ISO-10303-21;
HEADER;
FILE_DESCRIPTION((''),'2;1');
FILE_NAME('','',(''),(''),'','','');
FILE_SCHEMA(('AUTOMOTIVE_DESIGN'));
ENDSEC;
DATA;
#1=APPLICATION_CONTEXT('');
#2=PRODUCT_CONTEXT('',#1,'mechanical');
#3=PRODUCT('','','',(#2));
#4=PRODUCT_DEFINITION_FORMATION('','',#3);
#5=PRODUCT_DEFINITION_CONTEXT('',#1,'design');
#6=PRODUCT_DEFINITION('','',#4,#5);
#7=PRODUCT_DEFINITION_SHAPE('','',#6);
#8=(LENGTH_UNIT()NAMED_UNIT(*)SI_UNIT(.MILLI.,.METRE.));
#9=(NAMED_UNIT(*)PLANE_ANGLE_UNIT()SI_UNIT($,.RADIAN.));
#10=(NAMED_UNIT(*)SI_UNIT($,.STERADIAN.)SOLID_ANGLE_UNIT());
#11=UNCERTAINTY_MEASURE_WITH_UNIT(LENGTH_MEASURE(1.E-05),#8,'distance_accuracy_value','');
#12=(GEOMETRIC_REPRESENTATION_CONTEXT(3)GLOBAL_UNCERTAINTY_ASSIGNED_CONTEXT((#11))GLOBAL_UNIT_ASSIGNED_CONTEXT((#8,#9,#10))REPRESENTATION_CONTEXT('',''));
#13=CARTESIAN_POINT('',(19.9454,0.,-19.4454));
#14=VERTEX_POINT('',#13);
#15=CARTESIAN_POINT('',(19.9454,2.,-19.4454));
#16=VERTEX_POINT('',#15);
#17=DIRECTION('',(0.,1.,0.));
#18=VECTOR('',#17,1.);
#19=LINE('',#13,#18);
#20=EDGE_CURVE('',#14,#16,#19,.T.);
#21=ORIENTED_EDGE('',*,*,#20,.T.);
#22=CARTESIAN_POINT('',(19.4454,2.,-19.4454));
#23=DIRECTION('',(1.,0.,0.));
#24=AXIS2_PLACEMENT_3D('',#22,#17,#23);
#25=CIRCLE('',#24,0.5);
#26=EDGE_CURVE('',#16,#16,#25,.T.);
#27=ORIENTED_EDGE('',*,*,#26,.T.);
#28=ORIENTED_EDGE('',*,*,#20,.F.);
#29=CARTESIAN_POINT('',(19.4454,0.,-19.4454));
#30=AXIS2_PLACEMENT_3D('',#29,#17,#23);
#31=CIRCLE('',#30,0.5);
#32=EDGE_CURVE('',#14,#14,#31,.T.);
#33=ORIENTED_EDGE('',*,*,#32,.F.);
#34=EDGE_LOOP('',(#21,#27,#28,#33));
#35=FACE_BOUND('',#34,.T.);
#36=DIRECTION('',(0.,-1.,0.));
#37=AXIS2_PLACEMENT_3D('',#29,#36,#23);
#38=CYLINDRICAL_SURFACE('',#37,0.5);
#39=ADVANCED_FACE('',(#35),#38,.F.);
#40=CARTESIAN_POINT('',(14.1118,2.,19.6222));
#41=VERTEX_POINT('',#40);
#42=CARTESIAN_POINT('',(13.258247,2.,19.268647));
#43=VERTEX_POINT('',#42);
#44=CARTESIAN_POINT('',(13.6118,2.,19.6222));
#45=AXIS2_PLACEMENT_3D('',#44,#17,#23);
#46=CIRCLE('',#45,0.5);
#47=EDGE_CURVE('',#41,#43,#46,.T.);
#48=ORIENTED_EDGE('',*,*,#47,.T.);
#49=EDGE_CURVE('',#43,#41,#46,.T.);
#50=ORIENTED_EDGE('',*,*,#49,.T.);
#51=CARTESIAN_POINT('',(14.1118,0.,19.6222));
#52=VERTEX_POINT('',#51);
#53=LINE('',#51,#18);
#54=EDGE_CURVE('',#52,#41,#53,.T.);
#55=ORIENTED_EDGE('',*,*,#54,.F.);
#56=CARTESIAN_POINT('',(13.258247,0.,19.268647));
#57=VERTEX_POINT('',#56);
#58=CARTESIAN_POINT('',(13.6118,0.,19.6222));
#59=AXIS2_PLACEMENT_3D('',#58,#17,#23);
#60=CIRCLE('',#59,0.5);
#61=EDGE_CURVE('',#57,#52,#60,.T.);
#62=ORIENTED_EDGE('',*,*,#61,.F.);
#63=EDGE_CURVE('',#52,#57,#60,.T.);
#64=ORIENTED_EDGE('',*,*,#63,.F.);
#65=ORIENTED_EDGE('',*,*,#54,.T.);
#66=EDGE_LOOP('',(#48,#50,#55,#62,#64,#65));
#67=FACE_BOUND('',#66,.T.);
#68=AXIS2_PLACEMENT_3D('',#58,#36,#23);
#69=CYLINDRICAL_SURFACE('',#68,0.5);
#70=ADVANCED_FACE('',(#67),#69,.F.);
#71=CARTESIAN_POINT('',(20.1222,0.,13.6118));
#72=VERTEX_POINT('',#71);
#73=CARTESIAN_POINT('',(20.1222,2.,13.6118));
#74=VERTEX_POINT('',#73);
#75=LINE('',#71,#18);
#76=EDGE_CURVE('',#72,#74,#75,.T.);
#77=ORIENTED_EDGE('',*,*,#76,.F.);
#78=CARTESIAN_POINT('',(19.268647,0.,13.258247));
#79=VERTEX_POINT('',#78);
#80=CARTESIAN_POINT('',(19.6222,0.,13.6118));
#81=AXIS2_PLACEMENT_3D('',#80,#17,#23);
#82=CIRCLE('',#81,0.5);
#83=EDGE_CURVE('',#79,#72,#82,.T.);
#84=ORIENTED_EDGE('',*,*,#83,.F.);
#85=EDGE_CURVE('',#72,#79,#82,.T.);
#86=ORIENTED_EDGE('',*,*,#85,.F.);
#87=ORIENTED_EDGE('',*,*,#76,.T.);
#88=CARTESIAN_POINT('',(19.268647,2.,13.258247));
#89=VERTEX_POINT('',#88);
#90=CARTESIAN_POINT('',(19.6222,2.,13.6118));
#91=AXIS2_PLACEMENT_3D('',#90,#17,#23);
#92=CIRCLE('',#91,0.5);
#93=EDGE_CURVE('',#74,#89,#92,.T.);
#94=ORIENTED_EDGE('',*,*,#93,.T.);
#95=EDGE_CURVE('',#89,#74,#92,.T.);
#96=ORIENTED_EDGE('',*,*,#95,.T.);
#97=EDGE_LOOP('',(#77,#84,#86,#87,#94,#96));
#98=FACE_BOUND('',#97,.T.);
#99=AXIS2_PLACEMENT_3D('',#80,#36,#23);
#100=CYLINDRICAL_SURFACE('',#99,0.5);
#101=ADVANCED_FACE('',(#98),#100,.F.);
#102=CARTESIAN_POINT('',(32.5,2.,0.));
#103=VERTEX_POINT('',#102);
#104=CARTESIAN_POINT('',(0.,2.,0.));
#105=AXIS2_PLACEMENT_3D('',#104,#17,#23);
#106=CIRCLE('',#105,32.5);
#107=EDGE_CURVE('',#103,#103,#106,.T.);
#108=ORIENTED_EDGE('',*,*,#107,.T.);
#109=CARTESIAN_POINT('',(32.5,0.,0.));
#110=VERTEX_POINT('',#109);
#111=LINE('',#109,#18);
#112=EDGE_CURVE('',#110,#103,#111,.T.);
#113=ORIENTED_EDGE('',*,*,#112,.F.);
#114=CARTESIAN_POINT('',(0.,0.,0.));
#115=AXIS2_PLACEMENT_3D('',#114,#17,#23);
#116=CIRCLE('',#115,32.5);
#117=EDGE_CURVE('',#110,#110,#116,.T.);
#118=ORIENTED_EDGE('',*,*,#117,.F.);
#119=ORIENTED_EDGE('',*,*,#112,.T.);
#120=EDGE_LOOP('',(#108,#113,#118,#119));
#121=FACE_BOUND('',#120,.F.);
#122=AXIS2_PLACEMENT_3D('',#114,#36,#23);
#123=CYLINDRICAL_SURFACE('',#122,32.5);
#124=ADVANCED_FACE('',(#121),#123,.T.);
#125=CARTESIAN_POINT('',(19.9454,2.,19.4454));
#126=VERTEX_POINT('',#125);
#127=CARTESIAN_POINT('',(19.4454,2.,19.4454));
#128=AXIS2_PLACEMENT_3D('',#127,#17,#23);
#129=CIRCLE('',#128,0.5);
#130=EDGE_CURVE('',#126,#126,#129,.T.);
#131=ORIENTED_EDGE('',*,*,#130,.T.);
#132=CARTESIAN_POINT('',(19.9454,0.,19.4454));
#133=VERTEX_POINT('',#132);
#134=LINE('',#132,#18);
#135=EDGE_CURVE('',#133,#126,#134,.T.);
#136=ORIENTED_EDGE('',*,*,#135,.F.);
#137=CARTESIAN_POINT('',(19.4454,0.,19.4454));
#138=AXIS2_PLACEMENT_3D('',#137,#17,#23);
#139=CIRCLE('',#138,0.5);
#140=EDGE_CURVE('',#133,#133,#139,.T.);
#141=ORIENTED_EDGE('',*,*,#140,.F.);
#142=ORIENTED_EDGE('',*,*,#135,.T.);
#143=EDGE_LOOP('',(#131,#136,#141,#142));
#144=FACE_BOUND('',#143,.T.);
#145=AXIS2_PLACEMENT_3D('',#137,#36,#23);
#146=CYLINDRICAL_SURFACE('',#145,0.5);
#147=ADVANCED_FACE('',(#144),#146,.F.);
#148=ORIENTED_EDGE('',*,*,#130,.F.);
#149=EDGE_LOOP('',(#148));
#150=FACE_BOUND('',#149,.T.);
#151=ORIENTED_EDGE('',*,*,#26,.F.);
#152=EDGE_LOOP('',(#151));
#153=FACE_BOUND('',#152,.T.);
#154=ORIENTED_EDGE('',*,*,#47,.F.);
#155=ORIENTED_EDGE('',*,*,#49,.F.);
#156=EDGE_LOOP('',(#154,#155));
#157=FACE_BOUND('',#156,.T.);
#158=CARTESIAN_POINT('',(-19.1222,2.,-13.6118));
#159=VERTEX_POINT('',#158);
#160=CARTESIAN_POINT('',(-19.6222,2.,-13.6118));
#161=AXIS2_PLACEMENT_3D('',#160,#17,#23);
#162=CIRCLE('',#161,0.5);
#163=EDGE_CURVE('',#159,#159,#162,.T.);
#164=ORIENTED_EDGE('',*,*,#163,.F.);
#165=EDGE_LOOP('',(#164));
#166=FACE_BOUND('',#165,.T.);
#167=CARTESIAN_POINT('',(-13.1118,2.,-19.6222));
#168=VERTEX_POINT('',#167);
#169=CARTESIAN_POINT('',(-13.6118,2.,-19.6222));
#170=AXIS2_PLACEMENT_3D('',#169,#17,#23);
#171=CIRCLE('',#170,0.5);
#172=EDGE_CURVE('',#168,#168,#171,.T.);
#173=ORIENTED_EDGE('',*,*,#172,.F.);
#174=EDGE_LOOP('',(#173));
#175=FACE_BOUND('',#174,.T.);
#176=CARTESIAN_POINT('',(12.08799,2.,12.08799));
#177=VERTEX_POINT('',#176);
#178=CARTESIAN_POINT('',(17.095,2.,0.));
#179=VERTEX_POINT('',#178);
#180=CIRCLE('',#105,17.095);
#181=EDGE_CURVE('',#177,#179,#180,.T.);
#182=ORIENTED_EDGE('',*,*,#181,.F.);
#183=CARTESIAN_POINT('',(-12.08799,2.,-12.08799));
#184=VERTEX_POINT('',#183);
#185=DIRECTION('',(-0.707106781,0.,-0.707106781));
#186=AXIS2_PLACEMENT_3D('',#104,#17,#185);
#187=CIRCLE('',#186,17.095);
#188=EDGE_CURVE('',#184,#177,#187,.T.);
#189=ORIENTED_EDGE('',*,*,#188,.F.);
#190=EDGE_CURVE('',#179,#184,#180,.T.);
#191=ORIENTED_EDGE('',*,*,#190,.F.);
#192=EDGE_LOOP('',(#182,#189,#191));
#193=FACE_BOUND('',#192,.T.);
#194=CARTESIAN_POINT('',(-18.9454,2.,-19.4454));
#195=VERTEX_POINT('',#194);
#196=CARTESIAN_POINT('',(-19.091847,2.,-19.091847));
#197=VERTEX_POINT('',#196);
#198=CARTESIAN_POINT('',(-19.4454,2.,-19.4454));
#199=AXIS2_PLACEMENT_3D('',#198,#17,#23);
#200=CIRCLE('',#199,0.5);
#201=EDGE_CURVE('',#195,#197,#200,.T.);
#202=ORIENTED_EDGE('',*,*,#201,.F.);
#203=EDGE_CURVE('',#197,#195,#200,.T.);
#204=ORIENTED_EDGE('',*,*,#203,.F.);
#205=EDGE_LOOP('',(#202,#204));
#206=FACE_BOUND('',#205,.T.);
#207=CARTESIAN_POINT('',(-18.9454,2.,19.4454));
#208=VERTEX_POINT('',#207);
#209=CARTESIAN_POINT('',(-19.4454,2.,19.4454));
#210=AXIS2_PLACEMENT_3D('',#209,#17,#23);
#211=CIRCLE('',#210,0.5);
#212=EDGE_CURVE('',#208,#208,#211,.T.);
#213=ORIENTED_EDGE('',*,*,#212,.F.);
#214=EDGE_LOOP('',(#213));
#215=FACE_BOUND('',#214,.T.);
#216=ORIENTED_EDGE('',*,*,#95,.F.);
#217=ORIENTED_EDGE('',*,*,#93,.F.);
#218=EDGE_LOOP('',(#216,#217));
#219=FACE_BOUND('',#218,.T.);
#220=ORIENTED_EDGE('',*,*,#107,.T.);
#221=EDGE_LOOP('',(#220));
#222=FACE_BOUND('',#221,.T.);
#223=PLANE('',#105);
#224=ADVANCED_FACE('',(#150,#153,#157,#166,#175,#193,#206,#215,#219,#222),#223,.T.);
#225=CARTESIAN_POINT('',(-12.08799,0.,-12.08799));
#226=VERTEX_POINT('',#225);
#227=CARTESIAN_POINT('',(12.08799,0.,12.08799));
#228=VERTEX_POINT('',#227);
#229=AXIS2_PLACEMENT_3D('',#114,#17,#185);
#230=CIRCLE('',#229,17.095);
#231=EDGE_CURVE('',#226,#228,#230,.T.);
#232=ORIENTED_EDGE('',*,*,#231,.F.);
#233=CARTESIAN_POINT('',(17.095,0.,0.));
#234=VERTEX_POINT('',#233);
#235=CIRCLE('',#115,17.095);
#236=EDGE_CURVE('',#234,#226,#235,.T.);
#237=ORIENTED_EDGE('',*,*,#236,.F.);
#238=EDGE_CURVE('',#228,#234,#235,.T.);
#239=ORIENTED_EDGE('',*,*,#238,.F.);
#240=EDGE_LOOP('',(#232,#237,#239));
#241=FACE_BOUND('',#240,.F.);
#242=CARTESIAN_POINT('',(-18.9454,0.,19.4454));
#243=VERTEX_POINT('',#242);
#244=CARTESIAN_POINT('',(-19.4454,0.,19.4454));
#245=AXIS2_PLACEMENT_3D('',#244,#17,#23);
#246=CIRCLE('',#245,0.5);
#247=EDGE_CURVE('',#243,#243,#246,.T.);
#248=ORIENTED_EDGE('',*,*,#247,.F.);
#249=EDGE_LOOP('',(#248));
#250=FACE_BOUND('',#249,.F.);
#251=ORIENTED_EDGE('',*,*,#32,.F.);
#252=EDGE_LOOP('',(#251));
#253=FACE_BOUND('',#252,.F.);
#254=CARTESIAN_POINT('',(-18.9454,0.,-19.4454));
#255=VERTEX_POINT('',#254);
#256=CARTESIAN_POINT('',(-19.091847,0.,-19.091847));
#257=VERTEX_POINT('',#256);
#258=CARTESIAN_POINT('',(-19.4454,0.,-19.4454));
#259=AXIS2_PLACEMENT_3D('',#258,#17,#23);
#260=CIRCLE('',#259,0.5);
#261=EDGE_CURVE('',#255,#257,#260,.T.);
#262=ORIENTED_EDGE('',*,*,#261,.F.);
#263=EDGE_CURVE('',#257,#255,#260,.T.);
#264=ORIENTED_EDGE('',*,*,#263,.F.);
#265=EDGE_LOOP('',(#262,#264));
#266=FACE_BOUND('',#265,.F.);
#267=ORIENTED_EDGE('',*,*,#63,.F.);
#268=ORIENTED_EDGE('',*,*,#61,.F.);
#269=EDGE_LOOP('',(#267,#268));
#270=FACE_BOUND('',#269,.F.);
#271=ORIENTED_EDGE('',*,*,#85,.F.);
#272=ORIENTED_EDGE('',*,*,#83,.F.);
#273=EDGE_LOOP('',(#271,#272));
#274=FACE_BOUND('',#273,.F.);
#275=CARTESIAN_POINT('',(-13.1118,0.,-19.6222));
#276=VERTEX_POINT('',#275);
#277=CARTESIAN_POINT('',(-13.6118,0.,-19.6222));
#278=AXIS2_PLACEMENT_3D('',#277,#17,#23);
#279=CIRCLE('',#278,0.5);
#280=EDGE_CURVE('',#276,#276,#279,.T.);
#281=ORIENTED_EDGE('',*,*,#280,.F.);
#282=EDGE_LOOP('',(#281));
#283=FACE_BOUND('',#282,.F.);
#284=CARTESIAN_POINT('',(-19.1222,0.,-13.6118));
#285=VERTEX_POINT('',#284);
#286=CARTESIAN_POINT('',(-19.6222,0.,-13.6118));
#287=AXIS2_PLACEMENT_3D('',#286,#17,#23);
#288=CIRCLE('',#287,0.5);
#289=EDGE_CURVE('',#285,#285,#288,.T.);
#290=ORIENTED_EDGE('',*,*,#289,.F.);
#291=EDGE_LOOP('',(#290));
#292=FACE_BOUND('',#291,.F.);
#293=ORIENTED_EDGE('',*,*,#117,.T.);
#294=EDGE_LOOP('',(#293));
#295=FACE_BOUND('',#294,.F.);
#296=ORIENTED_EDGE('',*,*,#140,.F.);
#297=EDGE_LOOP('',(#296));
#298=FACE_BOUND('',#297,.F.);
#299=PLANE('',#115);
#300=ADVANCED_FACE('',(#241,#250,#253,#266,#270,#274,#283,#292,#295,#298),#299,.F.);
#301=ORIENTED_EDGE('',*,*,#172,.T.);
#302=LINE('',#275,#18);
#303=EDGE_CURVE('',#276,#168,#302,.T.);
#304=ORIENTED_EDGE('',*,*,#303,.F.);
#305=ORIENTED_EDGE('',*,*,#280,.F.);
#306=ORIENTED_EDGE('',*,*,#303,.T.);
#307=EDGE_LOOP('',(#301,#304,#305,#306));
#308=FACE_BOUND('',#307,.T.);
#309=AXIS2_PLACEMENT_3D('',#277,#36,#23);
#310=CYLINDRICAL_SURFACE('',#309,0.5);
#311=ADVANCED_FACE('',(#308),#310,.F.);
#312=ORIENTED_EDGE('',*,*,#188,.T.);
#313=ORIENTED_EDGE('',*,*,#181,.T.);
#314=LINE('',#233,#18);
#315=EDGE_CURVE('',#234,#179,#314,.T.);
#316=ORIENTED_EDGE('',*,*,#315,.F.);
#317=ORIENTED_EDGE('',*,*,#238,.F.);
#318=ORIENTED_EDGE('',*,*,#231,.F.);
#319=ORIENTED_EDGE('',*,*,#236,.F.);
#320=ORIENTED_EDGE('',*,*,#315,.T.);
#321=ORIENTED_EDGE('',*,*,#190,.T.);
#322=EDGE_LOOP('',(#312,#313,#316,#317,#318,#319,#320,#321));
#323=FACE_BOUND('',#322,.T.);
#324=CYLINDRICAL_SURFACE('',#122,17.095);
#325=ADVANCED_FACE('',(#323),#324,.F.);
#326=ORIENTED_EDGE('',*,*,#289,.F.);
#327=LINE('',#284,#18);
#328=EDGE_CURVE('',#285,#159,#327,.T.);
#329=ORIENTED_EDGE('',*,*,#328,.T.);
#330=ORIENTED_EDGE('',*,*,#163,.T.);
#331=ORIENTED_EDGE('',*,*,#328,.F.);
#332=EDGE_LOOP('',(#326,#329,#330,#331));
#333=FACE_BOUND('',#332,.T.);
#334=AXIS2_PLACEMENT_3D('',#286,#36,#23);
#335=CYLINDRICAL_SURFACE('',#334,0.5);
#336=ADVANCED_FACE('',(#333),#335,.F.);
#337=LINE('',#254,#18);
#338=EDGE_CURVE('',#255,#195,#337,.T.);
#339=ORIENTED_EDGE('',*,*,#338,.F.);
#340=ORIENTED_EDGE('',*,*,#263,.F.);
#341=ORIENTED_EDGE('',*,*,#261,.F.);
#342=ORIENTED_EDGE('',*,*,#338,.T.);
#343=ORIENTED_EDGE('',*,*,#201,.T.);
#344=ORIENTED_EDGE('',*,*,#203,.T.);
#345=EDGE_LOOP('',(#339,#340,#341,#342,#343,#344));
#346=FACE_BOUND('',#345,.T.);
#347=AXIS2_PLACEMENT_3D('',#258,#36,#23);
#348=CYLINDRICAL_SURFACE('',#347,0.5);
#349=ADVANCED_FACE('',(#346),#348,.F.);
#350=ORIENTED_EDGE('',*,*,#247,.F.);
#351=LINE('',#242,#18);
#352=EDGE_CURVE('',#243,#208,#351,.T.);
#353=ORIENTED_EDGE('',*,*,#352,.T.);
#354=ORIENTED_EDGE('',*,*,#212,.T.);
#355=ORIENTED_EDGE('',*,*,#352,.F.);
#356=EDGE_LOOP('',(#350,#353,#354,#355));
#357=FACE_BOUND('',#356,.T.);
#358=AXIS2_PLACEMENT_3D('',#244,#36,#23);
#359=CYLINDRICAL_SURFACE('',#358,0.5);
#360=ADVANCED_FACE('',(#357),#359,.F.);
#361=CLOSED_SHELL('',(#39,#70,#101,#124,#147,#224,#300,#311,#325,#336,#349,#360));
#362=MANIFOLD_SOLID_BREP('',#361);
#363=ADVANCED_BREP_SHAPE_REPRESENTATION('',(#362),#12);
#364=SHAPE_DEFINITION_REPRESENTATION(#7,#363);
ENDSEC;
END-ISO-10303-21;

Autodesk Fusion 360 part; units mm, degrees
sketch "Sketch1" plane through (0, 0, 0) normal (0, 1, 0) x (1, 0, 0)
  circle A0 centre (0, 0) radius 17.095
  circle A1 centre (0, 0) radius 32.5
  line L0 (-21.05, 0) -> (0, 0)
  line L1 (0, 0) -> (-19.4454, 19.4454)
  circle A2 centre (-19.4454, 19.4454) radius 0.5
  circle A3 centre (-19.4454, -19.4454) radius 0.5
  circle A4 centre (19.4454, -19.4454) radius 0.5
  circle A5 centre (19.4454, 19.4454) radius 0.5
  line L2 (17.3241, -8.1317) -> (8.1317, -17.3241)
  line L3 (0, 0) -> (12.7279, -12.7279)
  line L4 (10.253, -19.4454) -> (8.1317, -17.3241)
  line L5 (8.1317, -17.3241) -> (11.3137, -14.1421)
  line L6 (11.3137, -14.1421) -> (13.435, -16.2635)
  line L7 (13.435, -16.2635) -> (10.253, -19.4454)
  line L8 (19.4454, -10.253) -> (17.3241, -8.1317)
  line L9 (17.3241, -8.1317) -> (14.1421, -11.3137)
  line L10 (14.1421, -11.3137) -> (16.2635, -13.435)
  line L11 (16.2635, -13.435) -> (19.4454, -10.253)
  line L12 (11.844, -17.8544) -> (13.6118, -19.6222)
  circle A6 centre (13.6118, -19.6222) radius 0.5
  line L13 (17.8544, -11.844) -> (19.6222, -13.6118)
  circle A7 centre (19.6222, -13.6118) radius 0.5
  circle A8 centre (-13.6118, 19.6222) radius 0.5
  circle A9 centre (-19.6222, 13.6118) radius 0.5
  dimension "d1" = 34.19
  dimension "d4" = 21.05
  dimension "d7" = 27.5
  dimension "d8" = 1
  dimension "d9" = 45
  dimension "d13" = 13
  dimension "d14" = 18
  dimension "d15" = 3
  dimension "d16" = 4.5
  dimension "d18" = 4.5
  dimension "d19" = 2.5
  dimension "d20" = 1
  dimension "d21" = 2.5
  dimension "d22" = 1
  dimension "d24" = 360
  dimension "d27" = 65
extrude "Extrude1" add sketch "Sketch1" along normal blind 2 contours L2 L8 L9 L10 L11 | L2 L4 L5 L6 L7 | A1
